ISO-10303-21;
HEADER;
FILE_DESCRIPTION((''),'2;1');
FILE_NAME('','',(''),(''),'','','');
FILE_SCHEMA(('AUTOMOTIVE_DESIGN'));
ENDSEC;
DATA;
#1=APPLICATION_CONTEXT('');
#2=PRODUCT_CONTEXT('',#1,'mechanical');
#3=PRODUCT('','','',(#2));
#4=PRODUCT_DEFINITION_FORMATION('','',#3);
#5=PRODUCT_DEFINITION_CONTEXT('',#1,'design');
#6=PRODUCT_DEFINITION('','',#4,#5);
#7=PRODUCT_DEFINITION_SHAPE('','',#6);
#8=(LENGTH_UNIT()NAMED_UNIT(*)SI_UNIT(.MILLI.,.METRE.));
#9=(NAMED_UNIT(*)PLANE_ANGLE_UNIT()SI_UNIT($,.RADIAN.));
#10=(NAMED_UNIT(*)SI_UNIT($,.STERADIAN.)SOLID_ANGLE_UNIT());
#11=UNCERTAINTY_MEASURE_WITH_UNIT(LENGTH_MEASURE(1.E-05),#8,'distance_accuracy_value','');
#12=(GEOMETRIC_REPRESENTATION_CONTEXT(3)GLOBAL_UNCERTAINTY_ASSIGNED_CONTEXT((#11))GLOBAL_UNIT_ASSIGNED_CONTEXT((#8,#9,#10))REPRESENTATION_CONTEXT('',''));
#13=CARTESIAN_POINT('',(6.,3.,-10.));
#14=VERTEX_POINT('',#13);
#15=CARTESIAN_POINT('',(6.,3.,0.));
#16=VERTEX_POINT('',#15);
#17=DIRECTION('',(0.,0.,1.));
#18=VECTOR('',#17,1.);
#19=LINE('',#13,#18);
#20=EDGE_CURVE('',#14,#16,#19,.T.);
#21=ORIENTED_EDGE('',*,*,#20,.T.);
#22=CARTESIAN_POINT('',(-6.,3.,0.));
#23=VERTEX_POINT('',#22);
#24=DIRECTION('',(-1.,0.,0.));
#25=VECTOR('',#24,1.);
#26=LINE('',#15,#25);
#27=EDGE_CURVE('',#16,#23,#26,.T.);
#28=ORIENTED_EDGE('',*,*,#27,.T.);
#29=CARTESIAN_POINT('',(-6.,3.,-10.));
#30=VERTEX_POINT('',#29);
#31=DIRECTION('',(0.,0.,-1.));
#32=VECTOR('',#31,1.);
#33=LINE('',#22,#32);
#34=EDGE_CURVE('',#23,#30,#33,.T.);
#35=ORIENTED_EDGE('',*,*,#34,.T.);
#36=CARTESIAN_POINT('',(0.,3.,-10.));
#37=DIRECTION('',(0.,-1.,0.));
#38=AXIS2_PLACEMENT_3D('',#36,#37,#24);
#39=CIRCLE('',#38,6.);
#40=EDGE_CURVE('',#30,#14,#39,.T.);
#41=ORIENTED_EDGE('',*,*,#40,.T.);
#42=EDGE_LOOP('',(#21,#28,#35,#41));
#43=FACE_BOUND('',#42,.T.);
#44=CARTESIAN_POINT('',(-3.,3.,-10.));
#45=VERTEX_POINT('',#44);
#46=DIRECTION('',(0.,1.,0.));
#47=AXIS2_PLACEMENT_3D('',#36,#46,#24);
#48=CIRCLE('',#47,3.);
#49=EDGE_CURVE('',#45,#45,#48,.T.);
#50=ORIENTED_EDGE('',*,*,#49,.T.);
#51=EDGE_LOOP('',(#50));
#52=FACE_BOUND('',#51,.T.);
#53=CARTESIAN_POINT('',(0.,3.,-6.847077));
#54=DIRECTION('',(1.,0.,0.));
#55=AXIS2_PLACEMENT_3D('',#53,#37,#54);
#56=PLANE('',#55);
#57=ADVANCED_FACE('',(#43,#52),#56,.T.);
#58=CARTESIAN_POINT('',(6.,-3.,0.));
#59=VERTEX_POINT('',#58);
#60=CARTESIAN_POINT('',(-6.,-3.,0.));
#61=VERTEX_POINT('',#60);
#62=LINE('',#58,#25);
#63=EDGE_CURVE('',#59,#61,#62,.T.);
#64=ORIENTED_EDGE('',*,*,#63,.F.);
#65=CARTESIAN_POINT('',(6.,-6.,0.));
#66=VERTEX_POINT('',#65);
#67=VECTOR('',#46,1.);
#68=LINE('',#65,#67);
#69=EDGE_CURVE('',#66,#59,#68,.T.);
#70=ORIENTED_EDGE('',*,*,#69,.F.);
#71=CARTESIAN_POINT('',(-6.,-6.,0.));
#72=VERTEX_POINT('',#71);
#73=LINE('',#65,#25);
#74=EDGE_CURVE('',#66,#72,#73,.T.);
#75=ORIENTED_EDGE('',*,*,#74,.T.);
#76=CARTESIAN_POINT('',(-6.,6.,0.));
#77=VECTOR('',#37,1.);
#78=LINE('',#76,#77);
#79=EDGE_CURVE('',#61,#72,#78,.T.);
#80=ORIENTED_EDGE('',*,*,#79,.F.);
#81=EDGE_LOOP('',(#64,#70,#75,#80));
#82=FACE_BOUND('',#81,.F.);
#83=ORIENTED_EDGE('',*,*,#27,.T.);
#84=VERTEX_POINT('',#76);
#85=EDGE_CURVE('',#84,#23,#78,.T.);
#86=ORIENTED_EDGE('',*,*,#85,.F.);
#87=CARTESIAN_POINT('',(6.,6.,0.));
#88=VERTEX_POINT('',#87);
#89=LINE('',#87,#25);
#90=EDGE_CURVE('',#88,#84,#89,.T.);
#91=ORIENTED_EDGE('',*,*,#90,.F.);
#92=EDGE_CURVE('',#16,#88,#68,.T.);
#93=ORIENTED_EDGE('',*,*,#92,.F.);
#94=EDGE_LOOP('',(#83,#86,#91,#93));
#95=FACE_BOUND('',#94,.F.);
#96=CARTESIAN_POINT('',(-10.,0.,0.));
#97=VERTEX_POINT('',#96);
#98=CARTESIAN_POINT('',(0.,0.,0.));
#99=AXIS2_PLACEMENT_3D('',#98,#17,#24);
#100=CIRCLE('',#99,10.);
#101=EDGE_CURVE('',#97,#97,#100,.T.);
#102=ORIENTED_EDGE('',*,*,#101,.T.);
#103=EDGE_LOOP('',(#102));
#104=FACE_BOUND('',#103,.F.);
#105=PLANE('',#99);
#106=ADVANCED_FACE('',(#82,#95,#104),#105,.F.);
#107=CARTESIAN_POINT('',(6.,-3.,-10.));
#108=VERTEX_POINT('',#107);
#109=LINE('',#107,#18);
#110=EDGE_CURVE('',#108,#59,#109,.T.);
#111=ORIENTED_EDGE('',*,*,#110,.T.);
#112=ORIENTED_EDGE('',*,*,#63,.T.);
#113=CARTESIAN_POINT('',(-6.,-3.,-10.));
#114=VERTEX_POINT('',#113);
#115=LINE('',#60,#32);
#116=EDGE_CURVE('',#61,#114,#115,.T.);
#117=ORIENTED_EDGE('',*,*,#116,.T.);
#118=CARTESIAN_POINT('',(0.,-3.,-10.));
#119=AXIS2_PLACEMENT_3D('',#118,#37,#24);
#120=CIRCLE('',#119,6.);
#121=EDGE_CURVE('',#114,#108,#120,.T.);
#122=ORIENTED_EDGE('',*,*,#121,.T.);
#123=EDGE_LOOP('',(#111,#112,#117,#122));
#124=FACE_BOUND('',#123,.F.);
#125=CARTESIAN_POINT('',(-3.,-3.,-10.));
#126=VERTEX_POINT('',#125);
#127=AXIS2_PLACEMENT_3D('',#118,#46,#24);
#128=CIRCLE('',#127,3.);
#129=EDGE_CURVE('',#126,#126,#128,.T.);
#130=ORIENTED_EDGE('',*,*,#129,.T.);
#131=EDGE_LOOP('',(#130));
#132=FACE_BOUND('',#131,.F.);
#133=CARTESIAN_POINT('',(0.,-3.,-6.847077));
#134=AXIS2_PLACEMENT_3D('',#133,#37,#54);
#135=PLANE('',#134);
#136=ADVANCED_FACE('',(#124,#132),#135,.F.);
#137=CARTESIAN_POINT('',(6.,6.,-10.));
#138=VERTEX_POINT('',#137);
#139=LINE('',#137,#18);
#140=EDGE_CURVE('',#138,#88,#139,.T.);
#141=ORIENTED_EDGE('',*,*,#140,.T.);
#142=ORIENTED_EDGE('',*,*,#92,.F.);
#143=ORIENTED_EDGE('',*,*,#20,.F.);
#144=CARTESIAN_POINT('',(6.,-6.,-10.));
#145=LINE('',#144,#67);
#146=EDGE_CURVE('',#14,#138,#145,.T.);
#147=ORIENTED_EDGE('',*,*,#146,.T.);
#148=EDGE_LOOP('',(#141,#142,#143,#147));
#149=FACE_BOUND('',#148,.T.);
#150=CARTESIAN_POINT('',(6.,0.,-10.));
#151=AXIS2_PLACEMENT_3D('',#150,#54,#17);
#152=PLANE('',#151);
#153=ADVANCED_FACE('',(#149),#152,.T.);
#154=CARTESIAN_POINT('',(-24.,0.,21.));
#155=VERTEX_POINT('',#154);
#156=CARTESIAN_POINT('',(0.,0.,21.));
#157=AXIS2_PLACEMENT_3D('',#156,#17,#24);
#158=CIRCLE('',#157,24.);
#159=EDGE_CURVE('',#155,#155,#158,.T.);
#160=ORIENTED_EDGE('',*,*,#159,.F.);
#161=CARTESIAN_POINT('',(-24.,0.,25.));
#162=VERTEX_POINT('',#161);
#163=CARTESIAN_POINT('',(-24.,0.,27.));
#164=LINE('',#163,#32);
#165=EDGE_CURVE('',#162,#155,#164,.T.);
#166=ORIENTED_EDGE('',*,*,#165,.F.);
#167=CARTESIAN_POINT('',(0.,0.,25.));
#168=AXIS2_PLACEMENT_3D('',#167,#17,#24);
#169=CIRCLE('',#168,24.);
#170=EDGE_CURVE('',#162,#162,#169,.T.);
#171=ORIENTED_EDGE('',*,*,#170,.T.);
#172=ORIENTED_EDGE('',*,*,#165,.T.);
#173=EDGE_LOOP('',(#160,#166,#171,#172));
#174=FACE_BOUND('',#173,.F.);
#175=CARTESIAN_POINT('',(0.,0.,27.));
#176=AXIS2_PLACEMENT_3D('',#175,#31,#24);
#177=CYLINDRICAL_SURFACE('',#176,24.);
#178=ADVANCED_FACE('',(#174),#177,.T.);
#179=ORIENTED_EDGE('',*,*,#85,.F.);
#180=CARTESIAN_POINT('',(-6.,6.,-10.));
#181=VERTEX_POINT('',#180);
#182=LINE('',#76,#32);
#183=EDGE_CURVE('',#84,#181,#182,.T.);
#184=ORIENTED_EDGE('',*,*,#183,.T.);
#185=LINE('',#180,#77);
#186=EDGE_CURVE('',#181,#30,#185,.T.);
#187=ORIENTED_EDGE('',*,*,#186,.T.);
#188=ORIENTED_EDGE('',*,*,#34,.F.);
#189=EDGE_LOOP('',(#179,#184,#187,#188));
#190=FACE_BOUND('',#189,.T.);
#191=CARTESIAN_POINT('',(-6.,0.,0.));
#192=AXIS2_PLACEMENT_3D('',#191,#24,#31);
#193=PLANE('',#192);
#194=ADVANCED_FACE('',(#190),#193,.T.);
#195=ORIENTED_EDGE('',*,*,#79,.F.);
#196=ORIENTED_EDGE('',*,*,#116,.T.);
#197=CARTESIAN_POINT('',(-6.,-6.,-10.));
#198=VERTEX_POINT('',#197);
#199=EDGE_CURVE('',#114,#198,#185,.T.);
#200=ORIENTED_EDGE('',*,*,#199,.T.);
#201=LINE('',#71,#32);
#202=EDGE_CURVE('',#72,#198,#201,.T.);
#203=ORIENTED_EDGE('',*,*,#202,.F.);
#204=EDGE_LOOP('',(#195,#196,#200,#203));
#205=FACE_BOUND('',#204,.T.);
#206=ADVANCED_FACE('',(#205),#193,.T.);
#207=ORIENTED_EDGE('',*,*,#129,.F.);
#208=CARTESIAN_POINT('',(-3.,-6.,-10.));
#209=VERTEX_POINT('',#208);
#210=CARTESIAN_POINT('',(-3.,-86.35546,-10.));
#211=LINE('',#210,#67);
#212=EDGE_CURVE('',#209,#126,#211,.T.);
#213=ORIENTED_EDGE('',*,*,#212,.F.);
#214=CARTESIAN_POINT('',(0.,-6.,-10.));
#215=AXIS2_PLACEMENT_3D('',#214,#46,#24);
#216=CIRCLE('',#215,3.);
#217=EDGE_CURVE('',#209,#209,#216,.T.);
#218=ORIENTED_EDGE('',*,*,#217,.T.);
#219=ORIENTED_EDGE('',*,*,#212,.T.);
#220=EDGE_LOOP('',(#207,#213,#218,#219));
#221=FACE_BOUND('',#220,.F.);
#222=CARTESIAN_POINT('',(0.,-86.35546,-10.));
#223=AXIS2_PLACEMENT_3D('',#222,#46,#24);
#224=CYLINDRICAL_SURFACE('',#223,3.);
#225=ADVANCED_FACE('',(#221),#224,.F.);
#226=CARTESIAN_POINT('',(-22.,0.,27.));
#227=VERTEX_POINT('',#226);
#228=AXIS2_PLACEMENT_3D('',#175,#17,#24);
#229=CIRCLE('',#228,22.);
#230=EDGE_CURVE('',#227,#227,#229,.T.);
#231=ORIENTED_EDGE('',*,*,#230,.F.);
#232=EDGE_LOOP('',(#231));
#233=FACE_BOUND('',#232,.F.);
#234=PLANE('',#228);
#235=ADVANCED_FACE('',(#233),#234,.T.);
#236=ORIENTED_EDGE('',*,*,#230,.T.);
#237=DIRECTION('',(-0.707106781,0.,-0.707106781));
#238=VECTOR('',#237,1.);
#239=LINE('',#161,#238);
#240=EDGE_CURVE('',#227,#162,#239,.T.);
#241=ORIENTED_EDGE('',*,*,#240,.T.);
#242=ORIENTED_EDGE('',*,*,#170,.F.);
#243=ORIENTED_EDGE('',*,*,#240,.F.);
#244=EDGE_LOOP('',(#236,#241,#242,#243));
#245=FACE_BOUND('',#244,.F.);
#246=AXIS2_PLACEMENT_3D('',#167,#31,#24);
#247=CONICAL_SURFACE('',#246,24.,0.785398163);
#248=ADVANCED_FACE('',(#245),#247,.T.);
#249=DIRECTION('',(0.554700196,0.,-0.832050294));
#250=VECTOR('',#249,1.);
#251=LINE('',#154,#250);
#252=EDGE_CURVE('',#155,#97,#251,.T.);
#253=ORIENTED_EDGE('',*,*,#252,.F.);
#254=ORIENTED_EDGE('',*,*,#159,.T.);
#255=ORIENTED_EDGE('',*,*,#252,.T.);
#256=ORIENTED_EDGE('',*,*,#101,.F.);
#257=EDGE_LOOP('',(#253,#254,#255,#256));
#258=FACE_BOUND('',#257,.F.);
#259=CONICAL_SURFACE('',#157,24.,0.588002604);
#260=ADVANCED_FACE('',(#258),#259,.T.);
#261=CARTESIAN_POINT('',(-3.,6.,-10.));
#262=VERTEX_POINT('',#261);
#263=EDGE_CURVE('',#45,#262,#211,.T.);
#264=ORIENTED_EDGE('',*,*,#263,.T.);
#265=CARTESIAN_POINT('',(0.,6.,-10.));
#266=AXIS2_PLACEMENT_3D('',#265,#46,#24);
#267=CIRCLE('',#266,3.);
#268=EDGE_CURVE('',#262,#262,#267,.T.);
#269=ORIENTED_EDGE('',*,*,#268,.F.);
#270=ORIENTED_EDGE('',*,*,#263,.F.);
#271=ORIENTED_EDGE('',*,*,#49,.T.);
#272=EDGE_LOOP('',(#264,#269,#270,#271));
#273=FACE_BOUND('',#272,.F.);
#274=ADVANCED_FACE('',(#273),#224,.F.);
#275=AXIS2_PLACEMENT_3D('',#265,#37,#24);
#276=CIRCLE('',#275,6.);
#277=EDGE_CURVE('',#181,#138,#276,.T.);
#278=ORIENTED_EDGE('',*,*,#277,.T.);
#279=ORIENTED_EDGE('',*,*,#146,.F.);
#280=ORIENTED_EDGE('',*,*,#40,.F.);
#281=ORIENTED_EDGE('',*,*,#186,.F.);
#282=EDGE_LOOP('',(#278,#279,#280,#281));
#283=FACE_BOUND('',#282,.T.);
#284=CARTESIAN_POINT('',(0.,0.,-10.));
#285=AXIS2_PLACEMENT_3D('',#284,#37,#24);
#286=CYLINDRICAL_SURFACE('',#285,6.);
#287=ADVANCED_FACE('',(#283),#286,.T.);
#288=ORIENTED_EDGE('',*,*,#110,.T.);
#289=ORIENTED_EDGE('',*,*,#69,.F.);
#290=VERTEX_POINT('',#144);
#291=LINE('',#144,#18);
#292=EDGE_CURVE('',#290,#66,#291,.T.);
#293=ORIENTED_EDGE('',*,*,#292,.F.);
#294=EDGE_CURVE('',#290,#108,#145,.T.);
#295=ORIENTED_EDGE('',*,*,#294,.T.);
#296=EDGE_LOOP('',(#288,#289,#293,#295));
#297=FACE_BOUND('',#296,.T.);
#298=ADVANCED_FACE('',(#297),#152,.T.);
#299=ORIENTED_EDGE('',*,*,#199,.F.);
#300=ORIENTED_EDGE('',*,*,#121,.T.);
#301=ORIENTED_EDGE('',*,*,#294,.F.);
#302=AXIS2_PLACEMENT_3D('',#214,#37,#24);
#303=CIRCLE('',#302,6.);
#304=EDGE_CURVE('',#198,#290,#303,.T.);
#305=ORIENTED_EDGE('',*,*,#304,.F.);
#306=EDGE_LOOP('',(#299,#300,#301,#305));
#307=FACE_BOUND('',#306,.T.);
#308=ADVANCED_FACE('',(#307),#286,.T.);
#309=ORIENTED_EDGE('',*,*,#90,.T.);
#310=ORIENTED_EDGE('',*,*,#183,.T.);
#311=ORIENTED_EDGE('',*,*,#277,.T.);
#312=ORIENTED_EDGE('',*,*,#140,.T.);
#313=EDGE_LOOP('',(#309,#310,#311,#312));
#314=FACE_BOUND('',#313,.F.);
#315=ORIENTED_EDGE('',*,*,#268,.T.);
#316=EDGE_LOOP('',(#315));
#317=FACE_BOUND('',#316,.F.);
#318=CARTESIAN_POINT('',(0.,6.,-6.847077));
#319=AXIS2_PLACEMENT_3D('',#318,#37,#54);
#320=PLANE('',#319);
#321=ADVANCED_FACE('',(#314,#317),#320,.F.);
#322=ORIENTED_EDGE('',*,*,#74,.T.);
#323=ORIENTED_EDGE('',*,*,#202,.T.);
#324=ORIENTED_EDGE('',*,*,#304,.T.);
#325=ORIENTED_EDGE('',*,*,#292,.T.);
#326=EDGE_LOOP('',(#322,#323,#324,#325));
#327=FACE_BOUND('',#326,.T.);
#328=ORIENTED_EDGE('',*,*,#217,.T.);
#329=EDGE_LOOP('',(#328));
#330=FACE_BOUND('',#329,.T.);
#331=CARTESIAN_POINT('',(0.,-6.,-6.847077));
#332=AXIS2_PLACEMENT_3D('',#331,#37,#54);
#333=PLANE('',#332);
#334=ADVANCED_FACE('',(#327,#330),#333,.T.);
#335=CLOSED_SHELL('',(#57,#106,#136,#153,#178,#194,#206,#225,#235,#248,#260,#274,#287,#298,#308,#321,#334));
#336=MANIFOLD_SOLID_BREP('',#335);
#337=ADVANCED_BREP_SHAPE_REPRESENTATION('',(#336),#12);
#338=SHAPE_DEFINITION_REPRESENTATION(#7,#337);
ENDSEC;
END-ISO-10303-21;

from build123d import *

# Parameters (mm, degrees)
F2_DEPTH = 6
F3_DEPTH = 3
F4_SIZE  = 2
F6_D     = 6


with BuildPart() as f1:
    # F0 (on Front) → F1 (revolve)
    with BuildSketch(Plane.XZ):
        Polygon((-6, 0), (0, 0), (0, 27), (-24, 27), (-24, 21), (-10, 0), align=None)
    revolve(axis=Axis((0, 0, 13.5), (0, 0, 1)))

    # F0 (on Front) → F2 (join, symmetric)
    with BuildSketch(Plane.XZ):
        with BuildLine():
            Line((6, 0), (0, 0))
            Line((0, 0), (-6, 0))
            Line((-6, 0), (-6, -10))
            ThreePointArc((-6, -10), (0, -16), (6, -10))
            Line((6, -10), (6, 0))
        make_face()
    extrude(amount=F2_DEPTH, both=True)

    # F0 (on Front) → F3 (cut, symmetric)
    with BuildSketch(Plane.XZ):
        with BuildLine():
            Line((6, 0), (0, 0))
            Line((0, 0), (-6, 0))
            Line((-6, 0), (-6, -10))
            ThreePointArc((-6, -10), (0, -16), (6, -10))
            Line((6, -10), (6, 0))
        make_face()
    extrude(amount=F3_DEPTH, both=True, mode=Mode.SUBTRACT)

    # F4
    f4_edges = [f1.edges().sort_by_distance(p)[0] for p in [
        (24, 0, 27),
    ]]
    chamfer(f4_edges, length=F4_SIZE)

    # F6 (through all)
    with Locations(Plane.XZ.offset(6)):
        with Locations((0, -10)):
            Hole(F6_D / 2)


solid = f1.part
